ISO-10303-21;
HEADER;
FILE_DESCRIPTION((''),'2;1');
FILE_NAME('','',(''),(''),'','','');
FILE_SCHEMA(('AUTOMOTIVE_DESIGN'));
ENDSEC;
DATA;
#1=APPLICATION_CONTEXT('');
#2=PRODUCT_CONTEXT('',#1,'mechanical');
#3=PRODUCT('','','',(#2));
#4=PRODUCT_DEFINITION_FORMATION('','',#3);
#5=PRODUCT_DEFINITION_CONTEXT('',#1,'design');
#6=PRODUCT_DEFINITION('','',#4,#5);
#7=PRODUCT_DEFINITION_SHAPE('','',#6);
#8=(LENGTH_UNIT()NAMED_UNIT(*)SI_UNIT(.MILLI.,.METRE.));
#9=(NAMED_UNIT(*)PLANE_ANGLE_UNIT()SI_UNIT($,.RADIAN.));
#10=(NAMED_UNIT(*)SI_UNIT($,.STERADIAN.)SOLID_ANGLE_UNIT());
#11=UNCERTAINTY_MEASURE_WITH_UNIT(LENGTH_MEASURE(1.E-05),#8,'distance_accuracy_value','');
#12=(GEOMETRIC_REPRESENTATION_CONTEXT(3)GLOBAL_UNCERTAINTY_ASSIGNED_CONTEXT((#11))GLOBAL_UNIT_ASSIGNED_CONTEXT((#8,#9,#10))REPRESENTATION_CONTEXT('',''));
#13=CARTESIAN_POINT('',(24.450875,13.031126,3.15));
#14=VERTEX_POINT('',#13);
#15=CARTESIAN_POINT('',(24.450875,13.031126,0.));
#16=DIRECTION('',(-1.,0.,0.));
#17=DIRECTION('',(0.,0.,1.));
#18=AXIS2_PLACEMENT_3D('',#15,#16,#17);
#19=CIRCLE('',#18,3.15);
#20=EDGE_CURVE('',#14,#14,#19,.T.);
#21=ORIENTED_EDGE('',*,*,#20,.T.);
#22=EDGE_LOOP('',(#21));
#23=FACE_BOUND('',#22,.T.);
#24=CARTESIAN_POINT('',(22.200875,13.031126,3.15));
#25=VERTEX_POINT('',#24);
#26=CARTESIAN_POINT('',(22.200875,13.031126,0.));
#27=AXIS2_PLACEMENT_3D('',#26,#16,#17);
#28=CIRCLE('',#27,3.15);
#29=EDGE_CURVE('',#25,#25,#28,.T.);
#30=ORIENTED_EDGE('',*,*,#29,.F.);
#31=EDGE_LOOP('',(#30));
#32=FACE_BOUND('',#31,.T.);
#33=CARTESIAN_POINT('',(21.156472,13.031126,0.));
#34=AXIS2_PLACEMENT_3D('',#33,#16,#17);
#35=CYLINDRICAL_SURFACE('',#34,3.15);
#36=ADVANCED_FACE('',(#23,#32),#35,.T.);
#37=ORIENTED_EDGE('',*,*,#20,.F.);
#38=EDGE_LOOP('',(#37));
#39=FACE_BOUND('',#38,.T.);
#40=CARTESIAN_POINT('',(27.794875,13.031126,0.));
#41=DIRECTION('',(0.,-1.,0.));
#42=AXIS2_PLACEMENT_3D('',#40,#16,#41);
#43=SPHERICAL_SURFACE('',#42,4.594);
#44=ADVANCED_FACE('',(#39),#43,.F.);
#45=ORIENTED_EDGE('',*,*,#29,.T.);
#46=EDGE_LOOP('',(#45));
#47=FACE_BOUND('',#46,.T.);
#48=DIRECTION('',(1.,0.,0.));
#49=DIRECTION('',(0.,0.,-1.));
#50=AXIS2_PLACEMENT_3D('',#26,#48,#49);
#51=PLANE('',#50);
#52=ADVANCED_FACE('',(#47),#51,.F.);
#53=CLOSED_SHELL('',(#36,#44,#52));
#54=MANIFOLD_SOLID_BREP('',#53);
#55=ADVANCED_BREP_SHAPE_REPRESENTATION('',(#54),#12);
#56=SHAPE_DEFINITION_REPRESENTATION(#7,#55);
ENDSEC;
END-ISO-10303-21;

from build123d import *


with BuildPart() as part:
    # 草图1 → 旋转1 (revolve)
    with BuildSketch(Plane.XY, mode=Mode.PRIVATE) as revolve_1_sk:
        with BuildLine():
            Line((22.200875489, 13.031126091), (22.200875489, 16.181126091))
            Line((22.200875489, 16.181126091), (24.450875489, 16.181126091))
            ThreePointArc((24.450875489, 16.181126091), (23.524795162, 14.725602412), (23.200875489, 13.031126091))
            Line((23.200875489, 13.031126091), (22.200875489, 13.031126091))
        make_face()
    revolve(revolve_1_sk.sketch.rotate(Axis((21.156471922, 13.031126091, 0), (1, 0, 0)), 180), axis=Axis((21.156471922, 13.031126091, 0), (1, 0, 0)))  # turned: the seam where the file's is


solid = part.part
